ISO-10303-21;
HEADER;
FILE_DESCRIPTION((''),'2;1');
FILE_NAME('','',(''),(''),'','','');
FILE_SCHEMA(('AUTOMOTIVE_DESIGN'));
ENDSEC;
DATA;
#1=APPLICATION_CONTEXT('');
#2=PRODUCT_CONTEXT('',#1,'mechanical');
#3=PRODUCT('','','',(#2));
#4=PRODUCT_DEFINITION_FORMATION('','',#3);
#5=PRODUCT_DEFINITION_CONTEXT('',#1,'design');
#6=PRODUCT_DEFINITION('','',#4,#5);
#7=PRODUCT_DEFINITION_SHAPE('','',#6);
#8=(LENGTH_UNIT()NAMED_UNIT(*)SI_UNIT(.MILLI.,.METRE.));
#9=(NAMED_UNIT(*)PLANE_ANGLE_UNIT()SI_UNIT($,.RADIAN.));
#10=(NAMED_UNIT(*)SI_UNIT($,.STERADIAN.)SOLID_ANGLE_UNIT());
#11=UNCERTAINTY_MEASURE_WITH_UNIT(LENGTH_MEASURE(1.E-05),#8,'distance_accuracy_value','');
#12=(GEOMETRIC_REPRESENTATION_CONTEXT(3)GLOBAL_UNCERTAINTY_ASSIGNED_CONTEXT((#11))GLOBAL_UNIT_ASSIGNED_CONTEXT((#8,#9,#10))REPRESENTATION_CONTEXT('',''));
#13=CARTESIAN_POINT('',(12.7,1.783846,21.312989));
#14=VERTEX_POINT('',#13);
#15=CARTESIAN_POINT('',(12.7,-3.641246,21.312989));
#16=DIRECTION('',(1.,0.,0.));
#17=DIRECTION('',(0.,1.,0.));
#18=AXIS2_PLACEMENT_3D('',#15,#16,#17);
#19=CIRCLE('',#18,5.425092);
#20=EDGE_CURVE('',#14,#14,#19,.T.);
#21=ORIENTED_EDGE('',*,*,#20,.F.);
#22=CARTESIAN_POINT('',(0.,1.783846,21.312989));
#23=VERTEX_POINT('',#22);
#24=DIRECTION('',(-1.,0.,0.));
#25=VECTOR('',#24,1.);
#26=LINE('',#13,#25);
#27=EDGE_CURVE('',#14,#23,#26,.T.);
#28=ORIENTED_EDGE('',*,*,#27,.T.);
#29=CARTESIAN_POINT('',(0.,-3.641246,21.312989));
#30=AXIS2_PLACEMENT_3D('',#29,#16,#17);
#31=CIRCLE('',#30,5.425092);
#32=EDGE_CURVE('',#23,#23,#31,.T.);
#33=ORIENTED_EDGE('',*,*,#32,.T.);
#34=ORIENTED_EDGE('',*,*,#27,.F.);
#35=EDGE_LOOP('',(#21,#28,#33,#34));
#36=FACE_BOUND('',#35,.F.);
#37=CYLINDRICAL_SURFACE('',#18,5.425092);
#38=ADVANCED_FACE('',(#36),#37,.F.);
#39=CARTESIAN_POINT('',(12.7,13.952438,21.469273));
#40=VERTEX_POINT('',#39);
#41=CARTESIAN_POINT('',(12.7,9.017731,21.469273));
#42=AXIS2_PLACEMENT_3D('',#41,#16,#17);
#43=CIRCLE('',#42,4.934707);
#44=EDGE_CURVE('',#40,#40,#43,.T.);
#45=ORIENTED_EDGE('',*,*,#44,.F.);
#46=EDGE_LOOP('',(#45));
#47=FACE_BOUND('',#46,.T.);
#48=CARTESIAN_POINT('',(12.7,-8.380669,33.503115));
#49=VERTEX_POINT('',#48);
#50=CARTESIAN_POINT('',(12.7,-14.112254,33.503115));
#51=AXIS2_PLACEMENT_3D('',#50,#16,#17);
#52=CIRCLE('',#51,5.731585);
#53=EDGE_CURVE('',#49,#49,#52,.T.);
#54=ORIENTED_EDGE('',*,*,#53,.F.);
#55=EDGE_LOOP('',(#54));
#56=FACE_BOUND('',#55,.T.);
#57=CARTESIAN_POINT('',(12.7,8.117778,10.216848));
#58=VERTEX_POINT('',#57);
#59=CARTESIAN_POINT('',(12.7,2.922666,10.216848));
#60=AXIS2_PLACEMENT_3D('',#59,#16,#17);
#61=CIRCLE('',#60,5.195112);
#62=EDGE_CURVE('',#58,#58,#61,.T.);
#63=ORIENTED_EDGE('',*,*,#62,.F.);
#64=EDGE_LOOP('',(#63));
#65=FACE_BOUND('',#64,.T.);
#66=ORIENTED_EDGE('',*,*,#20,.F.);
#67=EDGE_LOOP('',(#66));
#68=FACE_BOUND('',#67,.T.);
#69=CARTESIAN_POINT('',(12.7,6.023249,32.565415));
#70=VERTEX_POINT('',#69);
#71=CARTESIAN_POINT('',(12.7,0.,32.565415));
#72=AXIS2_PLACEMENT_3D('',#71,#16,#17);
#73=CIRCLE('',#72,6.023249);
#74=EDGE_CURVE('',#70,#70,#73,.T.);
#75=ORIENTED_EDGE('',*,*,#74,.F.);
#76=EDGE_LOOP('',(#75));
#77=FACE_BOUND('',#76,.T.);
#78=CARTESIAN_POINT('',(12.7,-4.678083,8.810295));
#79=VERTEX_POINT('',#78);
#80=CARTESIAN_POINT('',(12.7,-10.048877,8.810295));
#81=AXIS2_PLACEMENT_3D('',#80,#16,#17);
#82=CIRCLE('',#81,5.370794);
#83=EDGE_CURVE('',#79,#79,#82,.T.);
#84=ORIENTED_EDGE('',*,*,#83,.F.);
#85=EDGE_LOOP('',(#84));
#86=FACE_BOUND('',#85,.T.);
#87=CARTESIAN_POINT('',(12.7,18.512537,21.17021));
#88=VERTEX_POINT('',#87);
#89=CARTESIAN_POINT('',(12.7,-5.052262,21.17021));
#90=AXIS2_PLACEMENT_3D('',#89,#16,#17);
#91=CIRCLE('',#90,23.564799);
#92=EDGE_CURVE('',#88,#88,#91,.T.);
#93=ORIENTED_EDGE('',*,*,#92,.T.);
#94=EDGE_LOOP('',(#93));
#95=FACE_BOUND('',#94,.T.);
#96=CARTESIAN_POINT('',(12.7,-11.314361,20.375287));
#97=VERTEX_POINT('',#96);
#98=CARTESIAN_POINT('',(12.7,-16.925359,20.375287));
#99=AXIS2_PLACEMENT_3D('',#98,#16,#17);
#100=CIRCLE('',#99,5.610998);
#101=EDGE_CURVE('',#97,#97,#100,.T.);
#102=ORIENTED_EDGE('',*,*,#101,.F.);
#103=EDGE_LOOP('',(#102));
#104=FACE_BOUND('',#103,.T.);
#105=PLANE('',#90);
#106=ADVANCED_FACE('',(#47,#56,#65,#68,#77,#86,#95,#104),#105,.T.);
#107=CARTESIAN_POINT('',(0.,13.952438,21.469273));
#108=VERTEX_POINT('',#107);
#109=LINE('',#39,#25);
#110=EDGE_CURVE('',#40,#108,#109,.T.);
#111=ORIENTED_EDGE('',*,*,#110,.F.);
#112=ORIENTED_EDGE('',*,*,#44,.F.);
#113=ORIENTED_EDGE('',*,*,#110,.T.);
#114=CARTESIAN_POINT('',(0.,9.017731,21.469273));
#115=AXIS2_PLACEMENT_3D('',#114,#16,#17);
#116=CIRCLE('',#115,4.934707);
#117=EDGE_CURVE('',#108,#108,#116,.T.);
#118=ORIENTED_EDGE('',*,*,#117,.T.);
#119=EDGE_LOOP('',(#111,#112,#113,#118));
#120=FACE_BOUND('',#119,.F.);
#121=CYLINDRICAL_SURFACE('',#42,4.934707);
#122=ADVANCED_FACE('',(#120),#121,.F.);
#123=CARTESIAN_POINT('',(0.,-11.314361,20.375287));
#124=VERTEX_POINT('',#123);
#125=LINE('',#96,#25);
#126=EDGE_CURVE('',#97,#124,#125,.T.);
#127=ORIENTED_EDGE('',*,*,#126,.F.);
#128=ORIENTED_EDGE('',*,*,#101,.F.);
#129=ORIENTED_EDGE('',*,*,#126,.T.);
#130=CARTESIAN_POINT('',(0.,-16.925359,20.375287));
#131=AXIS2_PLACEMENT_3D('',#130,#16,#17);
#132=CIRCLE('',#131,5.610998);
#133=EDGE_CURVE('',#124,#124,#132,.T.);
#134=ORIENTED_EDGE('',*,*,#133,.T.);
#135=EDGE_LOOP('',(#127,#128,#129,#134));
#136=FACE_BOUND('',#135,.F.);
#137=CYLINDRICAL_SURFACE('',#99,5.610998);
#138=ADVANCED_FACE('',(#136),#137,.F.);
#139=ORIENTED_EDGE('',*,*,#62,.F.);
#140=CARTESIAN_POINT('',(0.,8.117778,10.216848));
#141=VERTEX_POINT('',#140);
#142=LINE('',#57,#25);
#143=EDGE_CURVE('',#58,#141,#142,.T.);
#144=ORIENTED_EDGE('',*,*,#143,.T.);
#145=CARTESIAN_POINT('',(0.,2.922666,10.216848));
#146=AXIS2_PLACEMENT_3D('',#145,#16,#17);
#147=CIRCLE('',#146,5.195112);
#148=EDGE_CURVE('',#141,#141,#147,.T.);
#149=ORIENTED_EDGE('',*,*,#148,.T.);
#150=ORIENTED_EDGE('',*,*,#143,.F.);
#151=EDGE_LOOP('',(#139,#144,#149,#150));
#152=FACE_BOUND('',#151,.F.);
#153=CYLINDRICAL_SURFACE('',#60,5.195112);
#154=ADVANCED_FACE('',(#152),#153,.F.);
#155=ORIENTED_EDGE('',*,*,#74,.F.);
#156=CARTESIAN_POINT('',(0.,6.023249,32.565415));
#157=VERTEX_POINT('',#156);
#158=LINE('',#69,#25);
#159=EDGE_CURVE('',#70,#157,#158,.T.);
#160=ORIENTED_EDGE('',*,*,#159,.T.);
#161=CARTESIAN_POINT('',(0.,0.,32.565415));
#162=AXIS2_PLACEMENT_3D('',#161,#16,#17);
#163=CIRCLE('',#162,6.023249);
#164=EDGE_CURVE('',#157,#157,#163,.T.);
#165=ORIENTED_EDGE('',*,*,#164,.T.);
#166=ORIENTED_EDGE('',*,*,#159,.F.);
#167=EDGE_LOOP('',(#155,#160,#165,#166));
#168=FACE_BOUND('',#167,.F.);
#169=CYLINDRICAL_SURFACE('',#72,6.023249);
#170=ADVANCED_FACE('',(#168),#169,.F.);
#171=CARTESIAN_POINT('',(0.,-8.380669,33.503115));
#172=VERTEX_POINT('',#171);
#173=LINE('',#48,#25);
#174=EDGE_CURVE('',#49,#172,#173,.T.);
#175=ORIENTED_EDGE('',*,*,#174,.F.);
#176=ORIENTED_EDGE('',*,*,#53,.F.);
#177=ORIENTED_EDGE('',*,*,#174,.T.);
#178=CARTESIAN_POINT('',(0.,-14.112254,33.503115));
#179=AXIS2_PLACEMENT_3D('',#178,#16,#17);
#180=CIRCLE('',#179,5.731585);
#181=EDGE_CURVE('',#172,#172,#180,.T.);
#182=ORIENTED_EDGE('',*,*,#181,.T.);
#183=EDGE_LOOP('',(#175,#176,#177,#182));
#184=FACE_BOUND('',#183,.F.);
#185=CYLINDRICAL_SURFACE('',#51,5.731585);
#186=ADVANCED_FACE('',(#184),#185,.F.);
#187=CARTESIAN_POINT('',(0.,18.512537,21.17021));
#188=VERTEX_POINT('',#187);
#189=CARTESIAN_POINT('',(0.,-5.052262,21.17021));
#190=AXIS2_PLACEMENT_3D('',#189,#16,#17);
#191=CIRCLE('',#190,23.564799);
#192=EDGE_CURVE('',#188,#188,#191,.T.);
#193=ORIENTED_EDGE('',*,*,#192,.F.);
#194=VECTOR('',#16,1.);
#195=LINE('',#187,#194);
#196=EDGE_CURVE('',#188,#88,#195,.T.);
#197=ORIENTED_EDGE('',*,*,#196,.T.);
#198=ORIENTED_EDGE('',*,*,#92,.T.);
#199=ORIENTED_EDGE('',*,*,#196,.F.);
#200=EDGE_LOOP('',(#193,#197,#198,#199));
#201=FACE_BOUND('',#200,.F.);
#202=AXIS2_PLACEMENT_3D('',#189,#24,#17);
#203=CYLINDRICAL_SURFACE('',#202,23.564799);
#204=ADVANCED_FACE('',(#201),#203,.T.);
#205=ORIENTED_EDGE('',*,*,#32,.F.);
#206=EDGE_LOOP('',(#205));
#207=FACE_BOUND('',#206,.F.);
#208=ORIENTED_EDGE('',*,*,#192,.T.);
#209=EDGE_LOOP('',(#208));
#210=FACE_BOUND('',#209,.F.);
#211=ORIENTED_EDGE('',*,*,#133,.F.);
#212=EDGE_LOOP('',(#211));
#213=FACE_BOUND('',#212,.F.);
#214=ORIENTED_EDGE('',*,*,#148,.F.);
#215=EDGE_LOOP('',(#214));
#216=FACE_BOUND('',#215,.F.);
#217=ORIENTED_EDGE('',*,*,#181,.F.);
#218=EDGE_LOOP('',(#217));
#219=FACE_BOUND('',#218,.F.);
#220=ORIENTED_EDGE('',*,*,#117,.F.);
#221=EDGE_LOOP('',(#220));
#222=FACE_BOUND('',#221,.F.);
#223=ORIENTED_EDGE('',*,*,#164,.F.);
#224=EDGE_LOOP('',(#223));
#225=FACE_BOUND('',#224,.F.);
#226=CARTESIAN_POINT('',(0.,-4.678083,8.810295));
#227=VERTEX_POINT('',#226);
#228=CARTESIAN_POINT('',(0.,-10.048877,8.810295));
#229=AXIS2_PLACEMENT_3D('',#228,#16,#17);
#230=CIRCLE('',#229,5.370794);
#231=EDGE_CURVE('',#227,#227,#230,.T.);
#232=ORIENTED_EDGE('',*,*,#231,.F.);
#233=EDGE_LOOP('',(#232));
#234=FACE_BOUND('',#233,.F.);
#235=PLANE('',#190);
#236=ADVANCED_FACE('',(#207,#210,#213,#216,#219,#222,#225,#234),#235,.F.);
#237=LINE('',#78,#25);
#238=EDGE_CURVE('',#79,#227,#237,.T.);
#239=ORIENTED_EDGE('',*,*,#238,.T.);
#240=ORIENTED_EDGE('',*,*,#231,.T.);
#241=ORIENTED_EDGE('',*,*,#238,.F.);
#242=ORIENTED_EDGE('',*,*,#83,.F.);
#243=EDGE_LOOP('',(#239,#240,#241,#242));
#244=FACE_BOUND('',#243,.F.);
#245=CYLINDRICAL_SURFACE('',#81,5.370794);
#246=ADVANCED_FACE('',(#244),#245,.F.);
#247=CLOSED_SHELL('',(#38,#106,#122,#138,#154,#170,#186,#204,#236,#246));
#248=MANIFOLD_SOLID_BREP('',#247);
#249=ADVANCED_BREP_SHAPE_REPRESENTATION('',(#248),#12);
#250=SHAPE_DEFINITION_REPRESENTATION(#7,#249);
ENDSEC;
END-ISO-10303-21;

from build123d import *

# Parameters (mm, degrees)
F0_R     = 23.564799
F1_DEPTH = 12.7
F2_R     = 5.731585
F2_R_2   = 6.023249
F2_R_3   = 5.610998
F2_R_4   = 5.425092
F2_R_5   = 4.934707
F2_R_6   = 5.195112
F2_R_7   = 5.370794
F3_DEPTH = 25.4


with BuildPart() as f1:
    # F0 (on Right) → F1 (new body)
    with BuildSketch(Plane.YZ):
        with Locations((-5.052262, 21.17021)):
            Circle(F0_R)
    extrude(amount=F1_DEPTH)

    # F2 (on face) → F3 (cut)
    with BuildSketch(Plane.YZ.offset(12.7)):
        with Locations((-14.112254, 33.503115)):
            Circle(F2_R)
        with Locations((0, 32.565415)):
            Circle(F2_R_2)
        with Locations((-16.925359, 20.375287)):
            Circle(F2_R_3)
        with Locations((-3.641246, 21.312989)):
            Circle(F2_R_4)
        with Locations((9.017731, 21.469273)):
            Circle(F2_R_5)
        with Locations((2.922666, 10.216848)):
            Circle(F2_R_6)
        with Locations((-10.048877, 8.810295)):
            Circle(F2_R_7)
    extrude(amount=-F3_DEPTH, mode=Mode.SUBTRACT)


solid = f1.part
